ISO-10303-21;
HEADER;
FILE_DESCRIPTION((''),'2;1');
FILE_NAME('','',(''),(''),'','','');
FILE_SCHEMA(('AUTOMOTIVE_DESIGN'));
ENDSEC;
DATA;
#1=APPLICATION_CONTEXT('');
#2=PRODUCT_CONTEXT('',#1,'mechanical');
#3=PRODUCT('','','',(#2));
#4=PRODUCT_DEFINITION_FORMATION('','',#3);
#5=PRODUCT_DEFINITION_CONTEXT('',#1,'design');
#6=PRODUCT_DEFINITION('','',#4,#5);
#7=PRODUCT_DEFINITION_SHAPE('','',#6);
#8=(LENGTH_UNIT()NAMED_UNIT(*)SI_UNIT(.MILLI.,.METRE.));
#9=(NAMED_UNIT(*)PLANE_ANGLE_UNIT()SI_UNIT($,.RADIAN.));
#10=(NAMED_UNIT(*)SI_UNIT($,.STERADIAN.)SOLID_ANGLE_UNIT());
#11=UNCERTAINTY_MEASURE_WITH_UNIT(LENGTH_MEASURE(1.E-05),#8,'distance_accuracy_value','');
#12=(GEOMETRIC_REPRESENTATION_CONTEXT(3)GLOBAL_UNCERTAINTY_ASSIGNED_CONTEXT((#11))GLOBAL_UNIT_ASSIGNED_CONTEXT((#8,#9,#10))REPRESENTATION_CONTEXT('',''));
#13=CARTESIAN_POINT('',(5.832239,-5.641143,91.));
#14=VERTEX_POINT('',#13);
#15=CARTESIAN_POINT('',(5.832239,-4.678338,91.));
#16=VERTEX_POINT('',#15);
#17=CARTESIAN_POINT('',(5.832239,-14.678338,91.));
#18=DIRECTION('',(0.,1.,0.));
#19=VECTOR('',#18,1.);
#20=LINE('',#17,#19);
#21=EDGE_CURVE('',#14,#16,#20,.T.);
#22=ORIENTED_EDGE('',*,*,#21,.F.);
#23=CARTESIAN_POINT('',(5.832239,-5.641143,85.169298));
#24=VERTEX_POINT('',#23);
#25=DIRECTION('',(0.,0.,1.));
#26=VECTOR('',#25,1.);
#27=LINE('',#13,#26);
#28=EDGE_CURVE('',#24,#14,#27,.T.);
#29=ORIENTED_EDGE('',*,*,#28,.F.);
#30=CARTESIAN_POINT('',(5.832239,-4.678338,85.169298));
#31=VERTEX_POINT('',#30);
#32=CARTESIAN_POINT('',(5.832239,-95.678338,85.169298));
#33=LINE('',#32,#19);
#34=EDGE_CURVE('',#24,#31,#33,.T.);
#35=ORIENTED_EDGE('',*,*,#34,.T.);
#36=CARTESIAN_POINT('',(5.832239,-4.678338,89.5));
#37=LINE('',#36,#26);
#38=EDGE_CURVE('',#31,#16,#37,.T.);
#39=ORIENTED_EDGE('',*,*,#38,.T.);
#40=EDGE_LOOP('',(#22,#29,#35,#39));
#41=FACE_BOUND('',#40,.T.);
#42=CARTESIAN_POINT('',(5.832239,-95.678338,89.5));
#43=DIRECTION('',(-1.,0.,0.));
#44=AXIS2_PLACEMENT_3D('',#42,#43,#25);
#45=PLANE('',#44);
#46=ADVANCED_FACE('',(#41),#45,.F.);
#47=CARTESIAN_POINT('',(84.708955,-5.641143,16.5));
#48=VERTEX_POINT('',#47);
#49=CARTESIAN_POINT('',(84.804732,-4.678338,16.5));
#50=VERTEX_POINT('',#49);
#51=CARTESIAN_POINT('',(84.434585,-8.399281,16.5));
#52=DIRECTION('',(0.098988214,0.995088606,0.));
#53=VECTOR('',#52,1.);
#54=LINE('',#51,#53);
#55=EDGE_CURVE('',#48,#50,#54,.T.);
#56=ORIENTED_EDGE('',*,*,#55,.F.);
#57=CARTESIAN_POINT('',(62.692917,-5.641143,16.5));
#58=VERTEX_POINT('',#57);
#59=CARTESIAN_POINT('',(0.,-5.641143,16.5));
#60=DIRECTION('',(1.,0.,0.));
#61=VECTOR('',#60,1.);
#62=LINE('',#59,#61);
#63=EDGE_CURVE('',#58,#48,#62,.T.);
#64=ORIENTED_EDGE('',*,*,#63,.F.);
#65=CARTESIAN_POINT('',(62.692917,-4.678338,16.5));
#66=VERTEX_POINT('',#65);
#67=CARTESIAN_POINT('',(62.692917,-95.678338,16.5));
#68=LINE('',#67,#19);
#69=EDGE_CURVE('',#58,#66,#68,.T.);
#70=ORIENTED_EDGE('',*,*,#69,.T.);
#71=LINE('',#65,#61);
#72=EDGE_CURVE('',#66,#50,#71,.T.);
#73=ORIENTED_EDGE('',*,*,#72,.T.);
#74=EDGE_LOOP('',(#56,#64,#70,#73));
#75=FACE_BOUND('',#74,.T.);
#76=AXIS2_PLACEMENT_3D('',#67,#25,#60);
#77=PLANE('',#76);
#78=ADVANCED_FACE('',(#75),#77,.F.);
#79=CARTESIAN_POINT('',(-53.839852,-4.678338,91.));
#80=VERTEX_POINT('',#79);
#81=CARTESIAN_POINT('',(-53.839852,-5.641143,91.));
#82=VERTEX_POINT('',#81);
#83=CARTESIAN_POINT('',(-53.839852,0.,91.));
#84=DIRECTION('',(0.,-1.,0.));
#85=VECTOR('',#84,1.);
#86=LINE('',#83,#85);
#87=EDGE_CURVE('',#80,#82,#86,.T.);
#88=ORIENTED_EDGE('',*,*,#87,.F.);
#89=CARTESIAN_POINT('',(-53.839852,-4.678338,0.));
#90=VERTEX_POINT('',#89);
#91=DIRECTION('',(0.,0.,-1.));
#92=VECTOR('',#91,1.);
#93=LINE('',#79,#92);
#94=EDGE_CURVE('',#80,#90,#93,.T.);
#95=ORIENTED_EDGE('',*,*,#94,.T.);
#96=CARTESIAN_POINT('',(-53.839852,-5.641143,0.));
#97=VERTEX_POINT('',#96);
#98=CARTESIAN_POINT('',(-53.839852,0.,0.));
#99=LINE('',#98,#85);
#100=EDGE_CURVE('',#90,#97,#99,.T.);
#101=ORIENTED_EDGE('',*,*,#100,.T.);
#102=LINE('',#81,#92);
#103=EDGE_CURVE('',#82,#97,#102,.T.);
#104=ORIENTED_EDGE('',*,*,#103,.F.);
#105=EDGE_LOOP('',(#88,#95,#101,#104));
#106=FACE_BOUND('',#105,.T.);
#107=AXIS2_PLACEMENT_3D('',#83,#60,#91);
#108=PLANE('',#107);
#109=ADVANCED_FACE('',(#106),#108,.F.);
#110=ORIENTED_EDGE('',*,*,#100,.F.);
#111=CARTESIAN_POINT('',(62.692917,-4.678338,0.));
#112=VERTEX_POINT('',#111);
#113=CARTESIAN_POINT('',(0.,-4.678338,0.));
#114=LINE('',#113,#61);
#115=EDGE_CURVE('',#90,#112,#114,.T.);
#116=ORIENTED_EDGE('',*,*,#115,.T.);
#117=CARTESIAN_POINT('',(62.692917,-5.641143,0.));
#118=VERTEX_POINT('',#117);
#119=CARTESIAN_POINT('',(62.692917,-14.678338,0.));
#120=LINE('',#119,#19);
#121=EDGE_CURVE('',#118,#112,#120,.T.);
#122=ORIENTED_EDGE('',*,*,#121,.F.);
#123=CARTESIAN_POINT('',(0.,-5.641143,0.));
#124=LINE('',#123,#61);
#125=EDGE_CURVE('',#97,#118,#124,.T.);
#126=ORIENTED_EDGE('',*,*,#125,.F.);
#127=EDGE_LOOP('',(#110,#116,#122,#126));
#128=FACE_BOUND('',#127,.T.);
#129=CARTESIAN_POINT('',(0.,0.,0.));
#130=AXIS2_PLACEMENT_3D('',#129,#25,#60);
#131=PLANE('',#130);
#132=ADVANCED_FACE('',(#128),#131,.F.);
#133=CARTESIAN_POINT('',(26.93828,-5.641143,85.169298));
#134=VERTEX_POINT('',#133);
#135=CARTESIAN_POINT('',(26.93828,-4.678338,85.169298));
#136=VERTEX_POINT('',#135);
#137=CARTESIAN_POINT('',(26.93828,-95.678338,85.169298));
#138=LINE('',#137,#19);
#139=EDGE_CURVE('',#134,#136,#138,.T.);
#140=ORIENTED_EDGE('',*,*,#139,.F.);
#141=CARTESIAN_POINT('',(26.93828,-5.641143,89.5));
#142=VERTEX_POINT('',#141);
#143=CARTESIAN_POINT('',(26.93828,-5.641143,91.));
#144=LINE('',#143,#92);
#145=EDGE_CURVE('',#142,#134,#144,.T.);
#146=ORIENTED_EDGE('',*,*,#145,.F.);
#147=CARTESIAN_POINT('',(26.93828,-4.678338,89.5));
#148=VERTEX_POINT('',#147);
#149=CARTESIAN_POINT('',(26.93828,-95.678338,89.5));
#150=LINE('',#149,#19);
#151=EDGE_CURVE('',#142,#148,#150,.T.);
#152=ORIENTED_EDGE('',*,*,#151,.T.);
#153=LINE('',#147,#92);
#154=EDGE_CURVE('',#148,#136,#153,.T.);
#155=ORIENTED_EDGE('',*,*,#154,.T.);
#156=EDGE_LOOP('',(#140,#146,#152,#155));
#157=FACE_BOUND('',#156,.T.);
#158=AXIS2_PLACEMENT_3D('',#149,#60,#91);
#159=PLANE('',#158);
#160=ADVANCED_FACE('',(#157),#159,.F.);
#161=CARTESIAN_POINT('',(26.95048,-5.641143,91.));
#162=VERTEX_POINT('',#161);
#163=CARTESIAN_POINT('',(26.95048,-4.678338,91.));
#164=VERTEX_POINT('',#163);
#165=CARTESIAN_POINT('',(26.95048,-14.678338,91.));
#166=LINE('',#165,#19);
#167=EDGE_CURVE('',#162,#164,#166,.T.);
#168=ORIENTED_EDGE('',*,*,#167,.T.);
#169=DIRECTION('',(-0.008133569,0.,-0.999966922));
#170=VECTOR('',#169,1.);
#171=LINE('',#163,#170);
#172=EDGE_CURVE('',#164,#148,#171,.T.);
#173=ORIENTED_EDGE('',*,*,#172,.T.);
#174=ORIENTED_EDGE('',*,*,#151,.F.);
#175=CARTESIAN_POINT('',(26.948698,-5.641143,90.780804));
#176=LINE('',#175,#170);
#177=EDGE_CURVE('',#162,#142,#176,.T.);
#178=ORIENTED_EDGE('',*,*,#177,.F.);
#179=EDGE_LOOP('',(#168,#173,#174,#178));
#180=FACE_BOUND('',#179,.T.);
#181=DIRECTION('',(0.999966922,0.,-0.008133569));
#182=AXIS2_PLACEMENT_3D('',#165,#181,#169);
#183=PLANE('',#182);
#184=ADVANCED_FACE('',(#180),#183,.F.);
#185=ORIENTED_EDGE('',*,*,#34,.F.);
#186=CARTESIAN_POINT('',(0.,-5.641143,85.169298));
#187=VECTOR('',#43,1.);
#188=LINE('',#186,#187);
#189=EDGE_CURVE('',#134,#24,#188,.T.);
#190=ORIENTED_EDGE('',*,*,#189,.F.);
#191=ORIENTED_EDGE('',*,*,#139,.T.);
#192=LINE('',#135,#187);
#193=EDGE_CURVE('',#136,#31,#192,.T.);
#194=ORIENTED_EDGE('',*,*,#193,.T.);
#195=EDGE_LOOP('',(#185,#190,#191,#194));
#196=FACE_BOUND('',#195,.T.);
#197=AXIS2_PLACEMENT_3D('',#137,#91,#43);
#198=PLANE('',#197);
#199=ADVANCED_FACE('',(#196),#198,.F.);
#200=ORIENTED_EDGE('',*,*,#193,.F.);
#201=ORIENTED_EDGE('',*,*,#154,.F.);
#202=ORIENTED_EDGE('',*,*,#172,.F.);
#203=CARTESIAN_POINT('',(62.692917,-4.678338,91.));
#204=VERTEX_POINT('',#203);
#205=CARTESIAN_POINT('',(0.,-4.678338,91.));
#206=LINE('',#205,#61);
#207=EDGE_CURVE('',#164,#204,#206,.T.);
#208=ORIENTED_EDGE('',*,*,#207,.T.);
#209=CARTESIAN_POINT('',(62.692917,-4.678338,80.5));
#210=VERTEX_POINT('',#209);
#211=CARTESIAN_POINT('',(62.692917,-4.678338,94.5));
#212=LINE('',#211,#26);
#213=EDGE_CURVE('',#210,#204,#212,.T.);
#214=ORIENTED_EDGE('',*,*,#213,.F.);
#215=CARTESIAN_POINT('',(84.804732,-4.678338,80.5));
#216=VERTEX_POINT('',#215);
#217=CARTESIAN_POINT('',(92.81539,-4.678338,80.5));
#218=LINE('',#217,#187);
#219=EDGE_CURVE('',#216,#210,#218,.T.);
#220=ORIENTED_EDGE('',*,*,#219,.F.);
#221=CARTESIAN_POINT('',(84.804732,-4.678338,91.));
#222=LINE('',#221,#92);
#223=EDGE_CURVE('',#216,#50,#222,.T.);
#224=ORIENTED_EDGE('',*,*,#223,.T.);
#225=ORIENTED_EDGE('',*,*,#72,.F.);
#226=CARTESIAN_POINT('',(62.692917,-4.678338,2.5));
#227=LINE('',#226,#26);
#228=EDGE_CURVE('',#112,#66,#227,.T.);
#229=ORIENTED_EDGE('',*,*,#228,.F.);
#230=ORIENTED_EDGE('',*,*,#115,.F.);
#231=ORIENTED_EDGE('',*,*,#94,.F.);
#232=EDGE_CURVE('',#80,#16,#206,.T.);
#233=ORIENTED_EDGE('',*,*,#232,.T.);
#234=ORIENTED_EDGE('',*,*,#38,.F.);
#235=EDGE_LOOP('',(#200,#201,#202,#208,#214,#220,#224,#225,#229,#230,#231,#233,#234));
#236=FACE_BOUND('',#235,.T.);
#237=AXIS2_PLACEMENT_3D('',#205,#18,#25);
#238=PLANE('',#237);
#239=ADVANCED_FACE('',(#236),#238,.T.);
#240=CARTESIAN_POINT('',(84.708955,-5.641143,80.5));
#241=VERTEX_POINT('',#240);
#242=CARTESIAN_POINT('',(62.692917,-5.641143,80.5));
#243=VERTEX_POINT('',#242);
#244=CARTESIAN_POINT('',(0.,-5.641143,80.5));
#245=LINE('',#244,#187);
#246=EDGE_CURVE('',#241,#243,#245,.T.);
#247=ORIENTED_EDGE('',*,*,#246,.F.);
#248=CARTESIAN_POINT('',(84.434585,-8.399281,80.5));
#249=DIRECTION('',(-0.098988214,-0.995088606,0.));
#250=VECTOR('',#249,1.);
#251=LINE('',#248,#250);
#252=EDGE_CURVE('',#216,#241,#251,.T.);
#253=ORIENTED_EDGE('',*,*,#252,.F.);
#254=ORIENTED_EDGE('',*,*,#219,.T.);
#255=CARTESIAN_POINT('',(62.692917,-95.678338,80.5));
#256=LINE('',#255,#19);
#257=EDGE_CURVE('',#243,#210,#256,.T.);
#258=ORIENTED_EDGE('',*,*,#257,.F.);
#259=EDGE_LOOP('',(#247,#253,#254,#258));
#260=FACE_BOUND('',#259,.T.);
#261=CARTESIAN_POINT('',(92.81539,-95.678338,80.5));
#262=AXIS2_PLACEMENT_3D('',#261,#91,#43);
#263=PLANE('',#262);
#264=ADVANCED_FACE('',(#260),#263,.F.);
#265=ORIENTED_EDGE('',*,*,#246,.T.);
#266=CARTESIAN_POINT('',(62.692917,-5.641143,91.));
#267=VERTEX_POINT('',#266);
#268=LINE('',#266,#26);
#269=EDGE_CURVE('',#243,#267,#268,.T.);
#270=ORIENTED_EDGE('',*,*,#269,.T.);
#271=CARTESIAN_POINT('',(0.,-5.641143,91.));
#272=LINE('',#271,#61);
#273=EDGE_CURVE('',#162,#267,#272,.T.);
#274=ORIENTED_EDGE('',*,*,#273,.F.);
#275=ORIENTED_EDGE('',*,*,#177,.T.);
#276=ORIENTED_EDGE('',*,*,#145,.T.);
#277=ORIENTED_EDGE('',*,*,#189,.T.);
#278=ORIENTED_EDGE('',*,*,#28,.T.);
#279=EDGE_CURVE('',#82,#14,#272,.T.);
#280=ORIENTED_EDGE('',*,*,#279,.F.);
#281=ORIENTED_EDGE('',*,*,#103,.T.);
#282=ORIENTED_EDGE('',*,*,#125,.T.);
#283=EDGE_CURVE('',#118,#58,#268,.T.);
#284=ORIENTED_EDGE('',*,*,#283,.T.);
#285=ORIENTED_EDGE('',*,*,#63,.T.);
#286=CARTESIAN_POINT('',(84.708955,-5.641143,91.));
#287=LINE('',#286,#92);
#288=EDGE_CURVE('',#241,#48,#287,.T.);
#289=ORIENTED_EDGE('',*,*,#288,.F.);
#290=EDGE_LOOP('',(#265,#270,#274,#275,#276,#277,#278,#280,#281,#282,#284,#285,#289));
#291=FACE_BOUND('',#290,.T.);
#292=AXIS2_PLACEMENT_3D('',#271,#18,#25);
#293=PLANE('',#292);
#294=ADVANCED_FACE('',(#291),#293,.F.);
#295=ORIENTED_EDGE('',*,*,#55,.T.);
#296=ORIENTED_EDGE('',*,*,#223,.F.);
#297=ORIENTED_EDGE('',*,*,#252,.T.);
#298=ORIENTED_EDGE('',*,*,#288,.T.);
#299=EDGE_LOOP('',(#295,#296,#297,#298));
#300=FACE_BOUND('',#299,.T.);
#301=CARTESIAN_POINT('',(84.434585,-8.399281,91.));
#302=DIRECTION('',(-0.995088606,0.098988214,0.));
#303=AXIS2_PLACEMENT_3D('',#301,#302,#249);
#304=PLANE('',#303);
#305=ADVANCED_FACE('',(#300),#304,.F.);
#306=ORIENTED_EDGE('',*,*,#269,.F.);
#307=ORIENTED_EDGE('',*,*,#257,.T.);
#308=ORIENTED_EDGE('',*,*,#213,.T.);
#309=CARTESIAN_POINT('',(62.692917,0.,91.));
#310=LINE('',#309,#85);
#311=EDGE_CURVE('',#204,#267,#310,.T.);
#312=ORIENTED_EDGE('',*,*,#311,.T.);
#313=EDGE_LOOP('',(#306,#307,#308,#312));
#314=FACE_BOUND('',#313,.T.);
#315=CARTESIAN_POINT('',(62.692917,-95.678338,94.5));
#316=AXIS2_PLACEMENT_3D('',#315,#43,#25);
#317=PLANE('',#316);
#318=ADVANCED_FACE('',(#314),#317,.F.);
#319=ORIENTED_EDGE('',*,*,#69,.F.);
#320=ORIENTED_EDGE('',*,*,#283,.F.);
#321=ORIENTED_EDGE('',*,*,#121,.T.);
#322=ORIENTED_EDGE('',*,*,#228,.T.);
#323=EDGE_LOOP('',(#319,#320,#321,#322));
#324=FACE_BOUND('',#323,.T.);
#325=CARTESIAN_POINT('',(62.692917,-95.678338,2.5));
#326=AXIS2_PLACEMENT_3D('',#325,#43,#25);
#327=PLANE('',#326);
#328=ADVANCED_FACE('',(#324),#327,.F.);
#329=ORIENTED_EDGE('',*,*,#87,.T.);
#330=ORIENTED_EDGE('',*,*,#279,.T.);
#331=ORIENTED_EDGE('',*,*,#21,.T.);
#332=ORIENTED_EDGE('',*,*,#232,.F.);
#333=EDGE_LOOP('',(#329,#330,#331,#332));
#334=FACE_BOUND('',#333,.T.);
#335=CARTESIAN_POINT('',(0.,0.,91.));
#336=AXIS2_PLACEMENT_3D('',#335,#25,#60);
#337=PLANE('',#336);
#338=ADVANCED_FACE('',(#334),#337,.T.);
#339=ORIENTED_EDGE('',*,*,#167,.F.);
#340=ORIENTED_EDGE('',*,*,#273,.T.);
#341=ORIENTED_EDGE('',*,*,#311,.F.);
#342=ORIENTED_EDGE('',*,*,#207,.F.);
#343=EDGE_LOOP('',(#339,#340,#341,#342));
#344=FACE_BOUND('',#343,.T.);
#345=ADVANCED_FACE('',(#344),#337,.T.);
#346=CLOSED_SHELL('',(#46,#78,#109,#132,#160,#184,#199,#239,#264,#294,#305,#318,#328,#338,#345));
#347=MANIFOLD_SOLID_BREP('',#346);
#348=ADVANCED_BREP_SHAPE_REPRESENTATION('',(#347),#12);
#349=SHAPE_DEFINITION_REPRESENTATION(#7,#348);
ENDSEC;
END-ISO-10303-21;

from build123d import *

# Parameters (mm, degrees)
SALIENTE_EXTRUIR1_DEPTH = 91
CROQUIS3_W              = 21.106040847
CROQUIS3_H              = 4.330702007
CROQUIS3_W_2            = 30.122472971
CROQUIS3_H_2            = 14
CORTAR_EXTRUIR2_DEPTH   = 91
CROQUIS4_W              = 22.111814678
CROQUIS4_H              = 2.5
CORTAR_EXTRUIR3_DEPTH   = 10
CORTAR_EXTRUIR4_DEPTH   = 10


with BuildPart() as part:
    # Croquis1 → Saliente-Extruir1 (new body)
    with BuildSketch(Plane.XY):
        Polygon((-53.839851527, -4.678337985), (-53.839851527, -5.641142559), (84.70895538, -5.641142559), (84.804732082, -4.678337985), align=None)
    extrude(amount=SALIENTE_EXTRUIR1_DEPTH)

    # Croquis3 → Cortar-Extruir2 (cut)
    with BuildSketch(Plane(origin=(0, -4.678337985, 0), x_dir=(1, 0, 0), z_dir=(0, 1, 0))):
        with Locations((16.385259295, -87.334648996)):
            Rectangle(CROQUIS3_W, CROQUIS3_H)
        with Locations((77.75415389, -9.5)):
            Rectangle(CROQUIS3_W_2, CROQUIS3_H_2)
        with Locations((77.75415389, -87.5)):
            Rectangle(CROQUIS3_W_2, CROQUIS3_H_2)
    extrude(amount=-CORTAR_EXTRUIR2_DEPTH, mode=Mode.SUBTRACT)

    # Croquis4 → Cortar-Extruir3 (cut)
    with BuildSketch(Plane(origin=(0, -4.678337985, 0), x_dir=(1, 0, 0), z_dir=(0, 1, 0))):
        with Locations((73.748824743, -1.25)):
            Rectangle(CROQUIS4_W, CROQUIS4_H)
    extrude(amount=-CORTAR_EXTRUIR3_DEPTH, mode=Mode.SUBTRACT)

    # Croquis5 → Cortar-Extruir4 (cut)
    with BuildSketch(Plane(origin=(0, -4.678337985, 0), x_dir=(1, 0, 0), z_dir=(0, 1, 0))):
        Polygon((5.832238872, -89.5), (5.832238872, -91), (26.950480476, -91), (26.938279719, -89.5), align=None)
    extrude(amount=-CORTAR_EXTRUIR4_DEPTH, mode=Mode.SUBTRACT)


solid = part.part
